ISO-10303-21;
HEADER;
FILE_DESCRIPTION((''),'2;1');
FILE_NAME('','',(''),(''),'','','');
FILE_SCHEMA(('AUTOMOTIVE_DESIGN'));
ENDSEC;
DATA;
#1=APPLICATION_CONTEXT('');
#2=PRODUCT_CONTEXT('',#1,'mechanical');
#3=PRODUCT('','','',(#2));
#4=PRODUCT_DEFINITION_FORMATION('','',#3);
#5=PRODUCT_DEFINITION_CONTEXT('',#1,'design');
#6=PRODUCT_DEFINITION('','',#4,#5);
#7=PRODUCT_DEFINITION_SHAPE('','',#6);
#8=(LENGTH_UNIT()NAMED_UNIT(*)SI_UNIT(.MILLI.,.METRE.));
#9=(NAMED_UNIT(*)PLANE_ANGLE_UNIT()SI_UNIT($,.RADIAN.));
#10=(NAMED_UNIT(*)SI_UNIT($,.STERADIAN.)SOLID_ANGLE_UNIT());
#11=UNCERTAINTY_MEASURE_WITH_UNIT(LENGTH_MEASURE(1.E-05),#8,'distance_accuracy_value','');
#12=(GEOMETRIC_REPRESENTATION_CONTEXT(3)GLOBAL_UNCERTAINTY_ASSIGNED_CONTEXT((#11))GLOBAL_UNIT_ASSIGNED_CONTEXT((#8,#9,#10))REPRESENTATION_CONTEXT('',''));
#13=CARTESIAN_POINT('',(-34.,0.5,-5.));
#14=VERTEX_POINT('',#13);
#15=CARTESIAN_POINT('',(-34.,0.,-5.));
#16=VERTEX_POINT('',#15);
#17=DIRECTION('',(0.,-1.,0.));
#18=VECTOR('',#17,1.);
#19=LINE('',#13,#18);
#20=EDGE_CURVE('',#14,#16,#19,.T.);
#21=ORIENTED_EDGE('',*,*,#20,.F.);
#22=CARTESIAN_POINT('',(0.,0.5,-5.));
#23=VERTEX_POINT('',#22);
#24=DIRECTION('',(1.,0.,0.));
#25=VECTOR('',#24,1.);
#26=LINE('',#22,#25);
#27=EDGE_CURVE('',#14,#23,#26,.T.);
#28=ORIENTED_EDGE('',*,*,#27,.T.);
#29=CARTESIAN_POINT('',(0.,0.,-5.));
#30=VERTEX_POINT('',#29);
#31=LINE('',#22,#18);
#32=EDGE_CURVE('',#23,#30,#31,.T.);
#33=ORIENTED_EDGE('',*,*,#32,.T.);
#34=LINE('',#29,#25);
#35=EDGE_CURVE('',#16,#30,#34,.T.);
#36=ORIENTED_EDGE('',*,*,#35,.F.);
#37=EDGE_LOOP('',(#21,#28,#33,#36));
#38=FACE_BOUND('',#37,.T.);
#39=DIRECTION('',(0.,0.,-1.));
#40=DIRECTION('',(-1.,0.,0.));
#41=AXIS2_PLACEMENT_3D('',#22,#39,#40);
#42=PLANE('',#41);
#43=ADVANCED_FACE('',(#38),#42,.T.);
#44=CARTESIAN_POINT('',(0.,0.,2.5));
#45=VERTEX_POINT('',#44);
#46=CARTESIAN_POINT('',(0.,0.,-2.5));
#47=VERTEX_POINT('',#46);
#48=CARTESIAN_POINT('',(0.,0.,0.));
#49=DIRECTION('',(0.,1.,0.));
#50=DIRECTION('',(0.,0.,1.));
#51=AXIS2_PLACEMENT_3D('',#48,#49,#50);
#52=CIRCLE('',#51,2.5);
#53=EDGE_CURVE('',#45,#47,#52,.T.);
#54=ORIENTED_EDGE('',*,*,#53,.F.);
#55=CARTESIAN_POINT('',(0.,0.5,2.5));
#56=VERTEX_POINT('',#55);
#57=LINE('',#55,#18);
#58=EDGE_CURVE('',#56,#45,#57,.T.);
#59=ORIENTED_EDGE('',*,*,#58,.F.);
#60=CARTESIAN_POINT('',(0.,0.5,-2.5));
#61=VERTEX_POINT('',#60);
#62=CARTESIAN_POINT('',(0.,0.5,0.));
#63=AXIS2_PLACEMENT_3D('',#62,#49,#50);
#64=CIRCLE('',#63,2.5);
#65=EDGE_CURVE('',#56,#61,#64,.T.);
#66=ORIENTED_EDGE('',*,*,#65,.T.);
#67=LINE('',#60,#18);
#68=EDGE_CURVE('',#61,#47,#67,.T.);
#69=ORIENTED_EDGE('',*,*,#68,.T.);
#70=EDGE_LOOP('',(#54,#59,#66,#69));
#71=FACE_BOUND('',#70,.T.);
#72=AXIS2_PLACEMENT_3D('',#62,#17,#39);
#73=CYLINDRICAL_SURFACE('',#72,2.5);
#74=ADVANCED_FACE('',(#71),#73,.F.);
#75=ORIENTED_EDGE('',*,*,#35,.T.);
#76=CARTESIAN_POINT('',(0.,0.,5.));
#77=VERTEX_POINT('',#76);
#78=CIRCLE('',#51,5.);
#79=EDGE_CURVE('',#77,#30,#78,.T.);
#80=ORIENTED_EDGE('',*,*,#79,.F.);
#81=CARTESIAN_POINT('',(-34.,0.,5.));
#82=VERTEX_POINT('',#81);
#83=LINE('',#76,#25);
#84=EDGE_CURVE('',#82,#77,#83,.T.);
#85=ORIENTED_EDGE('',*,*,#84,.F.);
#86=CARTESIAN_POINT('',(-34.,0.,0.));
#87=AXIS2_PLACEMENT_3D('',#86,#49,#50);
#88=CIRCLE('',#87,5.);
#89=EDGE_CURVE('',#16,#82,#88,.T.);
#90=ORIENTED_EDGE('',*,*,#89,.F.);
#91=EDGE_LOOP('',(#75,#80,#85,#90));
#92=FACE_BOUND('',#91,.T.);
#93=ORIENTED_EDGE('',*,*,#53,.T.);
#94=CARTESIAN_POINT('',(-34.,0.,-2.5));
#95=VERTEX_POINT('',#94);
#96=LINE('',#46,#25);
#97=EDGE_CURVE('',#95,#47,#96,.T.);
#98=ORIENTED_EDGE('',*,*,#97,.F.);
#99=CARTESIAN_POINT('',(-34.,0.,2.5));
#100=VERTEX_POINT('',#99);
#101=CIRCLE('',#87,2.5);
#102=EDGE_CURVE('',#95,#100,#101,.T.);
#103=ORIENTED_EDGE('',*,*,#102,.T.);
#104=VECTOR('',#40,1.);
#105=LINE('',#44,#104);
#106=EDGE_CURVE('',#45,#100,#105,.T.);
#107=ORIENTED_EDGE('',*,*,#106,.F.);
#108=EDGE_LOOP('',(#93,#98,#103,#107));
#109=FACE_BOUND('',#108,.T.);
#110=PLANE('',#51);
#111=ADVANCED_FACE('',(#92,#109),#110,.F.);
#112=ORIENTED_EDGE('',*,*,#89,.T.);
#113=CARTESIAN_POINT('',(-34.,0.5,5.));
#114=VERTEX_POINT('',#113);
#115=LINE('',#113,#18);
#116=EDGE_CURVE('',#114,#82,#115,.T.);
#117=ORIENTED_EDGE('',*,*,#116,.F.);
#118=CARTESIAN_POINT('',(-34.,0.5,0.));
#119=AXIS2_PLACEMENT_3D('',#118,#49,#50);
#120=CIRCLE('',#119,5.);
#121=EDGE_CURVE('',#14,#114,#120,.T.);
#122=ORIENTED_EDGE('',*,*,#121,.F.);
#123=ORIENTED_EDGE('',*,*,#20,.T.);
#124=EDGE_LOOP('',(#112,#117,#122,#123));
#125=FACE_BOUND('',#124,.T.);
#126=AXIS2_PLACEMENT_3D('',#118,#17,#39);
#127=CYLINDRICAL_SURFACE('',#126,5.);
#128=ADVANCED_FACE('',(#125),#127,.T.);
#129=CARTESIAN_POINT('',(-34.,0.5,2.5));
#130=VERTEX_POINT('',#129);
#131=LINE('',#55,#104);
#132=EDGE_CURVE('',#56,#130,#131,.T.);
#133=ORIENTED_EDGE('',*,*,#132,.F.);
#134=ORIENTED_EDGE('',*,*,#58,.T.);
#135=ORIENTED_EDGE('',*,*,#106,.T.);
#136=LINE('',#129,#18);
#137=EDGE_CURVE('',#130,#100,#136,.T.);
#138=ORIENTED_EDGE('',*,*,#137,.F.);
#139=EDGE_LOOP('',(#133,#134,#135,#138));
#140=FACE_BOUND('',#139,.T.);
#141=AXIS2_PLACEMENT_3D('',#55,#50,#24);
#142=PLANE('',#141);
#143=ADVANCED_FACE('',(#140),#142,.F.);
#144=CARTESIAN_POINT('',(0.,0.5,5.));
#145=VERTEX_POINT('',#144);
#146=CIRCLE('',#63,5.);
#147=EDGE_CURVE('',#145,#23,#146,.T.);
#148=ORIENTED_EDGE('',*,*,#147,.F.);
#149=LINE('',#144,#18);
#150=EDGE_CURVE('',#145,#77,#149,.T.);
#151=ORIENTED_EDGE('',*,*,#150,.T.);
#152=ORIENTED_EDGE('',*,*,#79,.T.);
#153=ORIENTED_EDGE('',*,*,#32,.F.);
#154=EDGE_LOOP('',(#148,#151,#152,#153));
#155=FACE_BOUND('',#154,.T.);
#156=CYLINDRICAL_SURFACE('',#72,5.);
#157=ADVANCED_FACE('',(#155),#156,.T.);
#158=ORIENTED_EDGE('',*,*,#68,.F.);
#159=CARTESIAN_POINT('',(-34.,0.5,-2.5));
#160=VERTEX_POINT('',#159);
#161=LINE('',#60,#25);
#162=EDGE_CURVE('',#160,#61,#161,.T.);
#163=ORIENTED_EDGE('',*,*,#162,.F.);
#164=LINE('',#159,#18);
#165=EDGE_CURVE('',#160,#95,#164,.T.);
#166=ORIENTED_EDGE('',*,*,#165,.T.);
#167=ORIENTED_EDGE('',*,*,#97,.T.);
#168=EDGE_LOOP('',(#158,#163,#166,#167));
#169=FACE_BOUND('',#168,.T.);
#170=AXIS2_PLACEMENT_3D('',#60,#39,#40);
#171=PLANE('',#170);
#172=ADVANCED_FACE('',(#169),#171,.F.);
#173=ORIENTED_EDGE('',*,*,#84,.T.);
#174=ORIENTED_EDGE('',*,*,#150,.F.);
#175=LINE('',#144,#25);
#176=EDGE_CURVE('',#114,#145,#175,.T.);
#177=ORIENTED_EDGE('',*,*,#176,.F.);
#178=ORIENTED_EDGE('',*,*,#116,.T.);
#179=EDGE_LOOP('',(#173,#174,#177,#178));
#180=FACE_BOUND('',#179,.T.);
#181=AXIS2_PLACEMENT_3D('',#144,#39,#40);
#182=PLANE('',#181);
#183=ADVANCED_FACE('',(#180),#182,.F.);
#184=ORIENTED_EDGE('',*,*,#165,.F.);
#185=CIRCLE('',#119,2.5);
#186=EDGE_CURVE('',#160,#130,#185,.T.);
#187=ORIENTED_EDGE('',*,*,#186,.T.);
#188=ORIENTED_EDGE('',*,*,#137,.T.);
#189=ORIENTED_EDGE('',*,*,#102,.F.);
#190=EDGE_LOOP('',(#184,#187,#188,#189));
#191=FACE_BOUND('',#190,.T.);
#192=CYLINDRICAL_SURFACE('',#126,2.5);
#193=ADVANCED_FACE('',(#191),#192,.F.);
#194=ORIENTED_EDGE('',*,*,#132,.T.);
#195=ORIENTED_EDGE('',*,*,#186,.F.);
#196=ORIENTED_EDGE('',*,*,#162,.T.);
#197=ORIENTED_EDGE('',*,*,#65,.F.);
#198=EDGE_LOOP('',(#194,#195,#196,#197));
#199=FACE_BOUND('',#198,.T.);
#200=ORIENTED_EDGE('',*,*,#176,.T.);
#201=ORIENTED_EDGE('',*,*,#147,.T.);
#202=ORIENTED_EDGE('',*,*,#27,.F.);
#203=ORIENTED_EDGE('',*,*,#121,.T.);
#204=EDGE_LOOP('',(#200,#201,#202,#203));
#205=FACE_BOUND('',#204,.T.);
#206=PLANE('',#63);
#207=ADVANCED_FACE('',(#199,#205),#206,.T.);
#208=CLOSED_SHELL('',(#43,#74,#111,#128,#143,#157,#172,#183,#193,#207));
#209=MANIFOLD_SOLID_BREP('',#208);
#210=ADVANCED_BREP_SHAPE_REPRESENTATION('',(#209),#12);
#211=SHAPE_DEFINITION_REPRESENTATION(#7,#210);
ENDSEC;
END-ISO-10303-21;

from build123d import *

# Parameters (mm, degrees)
BOSS_EXTRUDE1_DEPTH = 0.5


with BuildPart() as part:
    # Sketch1 → Boss-Extrude1 (new body)
    with BuildSketch(Plane(origin=(0, 0, 0), x_dir=(1, 0, 0), z_dir=(0, 1, 0))):
        with BuildLine():
            ThreePointArc((0, -5), (5, 0), (0, 5))
            Line((0, 5), (-34, 5))
            ThreePointArc((-34, 5), (-39, 0), (-34, -5))
            Line((-34, -5), (0, -5))
        make_face()
        with BuildLine():
            ThreePointArc((-34, -2.5), (-36.5, 0), (-34, 2.5))
            Line((-34, 2.5), (0, 2.5))
            ThreePointArc((0, 2.5), (2.5, 0), (0, -2.5))
            Line((0, -2.5), (-34, -2.5))
        make_face(mode=Mode.SUBTRACT)
    extrude(amount=BOSS_EXTRUDE1_DEPTH)


solid = part.part
